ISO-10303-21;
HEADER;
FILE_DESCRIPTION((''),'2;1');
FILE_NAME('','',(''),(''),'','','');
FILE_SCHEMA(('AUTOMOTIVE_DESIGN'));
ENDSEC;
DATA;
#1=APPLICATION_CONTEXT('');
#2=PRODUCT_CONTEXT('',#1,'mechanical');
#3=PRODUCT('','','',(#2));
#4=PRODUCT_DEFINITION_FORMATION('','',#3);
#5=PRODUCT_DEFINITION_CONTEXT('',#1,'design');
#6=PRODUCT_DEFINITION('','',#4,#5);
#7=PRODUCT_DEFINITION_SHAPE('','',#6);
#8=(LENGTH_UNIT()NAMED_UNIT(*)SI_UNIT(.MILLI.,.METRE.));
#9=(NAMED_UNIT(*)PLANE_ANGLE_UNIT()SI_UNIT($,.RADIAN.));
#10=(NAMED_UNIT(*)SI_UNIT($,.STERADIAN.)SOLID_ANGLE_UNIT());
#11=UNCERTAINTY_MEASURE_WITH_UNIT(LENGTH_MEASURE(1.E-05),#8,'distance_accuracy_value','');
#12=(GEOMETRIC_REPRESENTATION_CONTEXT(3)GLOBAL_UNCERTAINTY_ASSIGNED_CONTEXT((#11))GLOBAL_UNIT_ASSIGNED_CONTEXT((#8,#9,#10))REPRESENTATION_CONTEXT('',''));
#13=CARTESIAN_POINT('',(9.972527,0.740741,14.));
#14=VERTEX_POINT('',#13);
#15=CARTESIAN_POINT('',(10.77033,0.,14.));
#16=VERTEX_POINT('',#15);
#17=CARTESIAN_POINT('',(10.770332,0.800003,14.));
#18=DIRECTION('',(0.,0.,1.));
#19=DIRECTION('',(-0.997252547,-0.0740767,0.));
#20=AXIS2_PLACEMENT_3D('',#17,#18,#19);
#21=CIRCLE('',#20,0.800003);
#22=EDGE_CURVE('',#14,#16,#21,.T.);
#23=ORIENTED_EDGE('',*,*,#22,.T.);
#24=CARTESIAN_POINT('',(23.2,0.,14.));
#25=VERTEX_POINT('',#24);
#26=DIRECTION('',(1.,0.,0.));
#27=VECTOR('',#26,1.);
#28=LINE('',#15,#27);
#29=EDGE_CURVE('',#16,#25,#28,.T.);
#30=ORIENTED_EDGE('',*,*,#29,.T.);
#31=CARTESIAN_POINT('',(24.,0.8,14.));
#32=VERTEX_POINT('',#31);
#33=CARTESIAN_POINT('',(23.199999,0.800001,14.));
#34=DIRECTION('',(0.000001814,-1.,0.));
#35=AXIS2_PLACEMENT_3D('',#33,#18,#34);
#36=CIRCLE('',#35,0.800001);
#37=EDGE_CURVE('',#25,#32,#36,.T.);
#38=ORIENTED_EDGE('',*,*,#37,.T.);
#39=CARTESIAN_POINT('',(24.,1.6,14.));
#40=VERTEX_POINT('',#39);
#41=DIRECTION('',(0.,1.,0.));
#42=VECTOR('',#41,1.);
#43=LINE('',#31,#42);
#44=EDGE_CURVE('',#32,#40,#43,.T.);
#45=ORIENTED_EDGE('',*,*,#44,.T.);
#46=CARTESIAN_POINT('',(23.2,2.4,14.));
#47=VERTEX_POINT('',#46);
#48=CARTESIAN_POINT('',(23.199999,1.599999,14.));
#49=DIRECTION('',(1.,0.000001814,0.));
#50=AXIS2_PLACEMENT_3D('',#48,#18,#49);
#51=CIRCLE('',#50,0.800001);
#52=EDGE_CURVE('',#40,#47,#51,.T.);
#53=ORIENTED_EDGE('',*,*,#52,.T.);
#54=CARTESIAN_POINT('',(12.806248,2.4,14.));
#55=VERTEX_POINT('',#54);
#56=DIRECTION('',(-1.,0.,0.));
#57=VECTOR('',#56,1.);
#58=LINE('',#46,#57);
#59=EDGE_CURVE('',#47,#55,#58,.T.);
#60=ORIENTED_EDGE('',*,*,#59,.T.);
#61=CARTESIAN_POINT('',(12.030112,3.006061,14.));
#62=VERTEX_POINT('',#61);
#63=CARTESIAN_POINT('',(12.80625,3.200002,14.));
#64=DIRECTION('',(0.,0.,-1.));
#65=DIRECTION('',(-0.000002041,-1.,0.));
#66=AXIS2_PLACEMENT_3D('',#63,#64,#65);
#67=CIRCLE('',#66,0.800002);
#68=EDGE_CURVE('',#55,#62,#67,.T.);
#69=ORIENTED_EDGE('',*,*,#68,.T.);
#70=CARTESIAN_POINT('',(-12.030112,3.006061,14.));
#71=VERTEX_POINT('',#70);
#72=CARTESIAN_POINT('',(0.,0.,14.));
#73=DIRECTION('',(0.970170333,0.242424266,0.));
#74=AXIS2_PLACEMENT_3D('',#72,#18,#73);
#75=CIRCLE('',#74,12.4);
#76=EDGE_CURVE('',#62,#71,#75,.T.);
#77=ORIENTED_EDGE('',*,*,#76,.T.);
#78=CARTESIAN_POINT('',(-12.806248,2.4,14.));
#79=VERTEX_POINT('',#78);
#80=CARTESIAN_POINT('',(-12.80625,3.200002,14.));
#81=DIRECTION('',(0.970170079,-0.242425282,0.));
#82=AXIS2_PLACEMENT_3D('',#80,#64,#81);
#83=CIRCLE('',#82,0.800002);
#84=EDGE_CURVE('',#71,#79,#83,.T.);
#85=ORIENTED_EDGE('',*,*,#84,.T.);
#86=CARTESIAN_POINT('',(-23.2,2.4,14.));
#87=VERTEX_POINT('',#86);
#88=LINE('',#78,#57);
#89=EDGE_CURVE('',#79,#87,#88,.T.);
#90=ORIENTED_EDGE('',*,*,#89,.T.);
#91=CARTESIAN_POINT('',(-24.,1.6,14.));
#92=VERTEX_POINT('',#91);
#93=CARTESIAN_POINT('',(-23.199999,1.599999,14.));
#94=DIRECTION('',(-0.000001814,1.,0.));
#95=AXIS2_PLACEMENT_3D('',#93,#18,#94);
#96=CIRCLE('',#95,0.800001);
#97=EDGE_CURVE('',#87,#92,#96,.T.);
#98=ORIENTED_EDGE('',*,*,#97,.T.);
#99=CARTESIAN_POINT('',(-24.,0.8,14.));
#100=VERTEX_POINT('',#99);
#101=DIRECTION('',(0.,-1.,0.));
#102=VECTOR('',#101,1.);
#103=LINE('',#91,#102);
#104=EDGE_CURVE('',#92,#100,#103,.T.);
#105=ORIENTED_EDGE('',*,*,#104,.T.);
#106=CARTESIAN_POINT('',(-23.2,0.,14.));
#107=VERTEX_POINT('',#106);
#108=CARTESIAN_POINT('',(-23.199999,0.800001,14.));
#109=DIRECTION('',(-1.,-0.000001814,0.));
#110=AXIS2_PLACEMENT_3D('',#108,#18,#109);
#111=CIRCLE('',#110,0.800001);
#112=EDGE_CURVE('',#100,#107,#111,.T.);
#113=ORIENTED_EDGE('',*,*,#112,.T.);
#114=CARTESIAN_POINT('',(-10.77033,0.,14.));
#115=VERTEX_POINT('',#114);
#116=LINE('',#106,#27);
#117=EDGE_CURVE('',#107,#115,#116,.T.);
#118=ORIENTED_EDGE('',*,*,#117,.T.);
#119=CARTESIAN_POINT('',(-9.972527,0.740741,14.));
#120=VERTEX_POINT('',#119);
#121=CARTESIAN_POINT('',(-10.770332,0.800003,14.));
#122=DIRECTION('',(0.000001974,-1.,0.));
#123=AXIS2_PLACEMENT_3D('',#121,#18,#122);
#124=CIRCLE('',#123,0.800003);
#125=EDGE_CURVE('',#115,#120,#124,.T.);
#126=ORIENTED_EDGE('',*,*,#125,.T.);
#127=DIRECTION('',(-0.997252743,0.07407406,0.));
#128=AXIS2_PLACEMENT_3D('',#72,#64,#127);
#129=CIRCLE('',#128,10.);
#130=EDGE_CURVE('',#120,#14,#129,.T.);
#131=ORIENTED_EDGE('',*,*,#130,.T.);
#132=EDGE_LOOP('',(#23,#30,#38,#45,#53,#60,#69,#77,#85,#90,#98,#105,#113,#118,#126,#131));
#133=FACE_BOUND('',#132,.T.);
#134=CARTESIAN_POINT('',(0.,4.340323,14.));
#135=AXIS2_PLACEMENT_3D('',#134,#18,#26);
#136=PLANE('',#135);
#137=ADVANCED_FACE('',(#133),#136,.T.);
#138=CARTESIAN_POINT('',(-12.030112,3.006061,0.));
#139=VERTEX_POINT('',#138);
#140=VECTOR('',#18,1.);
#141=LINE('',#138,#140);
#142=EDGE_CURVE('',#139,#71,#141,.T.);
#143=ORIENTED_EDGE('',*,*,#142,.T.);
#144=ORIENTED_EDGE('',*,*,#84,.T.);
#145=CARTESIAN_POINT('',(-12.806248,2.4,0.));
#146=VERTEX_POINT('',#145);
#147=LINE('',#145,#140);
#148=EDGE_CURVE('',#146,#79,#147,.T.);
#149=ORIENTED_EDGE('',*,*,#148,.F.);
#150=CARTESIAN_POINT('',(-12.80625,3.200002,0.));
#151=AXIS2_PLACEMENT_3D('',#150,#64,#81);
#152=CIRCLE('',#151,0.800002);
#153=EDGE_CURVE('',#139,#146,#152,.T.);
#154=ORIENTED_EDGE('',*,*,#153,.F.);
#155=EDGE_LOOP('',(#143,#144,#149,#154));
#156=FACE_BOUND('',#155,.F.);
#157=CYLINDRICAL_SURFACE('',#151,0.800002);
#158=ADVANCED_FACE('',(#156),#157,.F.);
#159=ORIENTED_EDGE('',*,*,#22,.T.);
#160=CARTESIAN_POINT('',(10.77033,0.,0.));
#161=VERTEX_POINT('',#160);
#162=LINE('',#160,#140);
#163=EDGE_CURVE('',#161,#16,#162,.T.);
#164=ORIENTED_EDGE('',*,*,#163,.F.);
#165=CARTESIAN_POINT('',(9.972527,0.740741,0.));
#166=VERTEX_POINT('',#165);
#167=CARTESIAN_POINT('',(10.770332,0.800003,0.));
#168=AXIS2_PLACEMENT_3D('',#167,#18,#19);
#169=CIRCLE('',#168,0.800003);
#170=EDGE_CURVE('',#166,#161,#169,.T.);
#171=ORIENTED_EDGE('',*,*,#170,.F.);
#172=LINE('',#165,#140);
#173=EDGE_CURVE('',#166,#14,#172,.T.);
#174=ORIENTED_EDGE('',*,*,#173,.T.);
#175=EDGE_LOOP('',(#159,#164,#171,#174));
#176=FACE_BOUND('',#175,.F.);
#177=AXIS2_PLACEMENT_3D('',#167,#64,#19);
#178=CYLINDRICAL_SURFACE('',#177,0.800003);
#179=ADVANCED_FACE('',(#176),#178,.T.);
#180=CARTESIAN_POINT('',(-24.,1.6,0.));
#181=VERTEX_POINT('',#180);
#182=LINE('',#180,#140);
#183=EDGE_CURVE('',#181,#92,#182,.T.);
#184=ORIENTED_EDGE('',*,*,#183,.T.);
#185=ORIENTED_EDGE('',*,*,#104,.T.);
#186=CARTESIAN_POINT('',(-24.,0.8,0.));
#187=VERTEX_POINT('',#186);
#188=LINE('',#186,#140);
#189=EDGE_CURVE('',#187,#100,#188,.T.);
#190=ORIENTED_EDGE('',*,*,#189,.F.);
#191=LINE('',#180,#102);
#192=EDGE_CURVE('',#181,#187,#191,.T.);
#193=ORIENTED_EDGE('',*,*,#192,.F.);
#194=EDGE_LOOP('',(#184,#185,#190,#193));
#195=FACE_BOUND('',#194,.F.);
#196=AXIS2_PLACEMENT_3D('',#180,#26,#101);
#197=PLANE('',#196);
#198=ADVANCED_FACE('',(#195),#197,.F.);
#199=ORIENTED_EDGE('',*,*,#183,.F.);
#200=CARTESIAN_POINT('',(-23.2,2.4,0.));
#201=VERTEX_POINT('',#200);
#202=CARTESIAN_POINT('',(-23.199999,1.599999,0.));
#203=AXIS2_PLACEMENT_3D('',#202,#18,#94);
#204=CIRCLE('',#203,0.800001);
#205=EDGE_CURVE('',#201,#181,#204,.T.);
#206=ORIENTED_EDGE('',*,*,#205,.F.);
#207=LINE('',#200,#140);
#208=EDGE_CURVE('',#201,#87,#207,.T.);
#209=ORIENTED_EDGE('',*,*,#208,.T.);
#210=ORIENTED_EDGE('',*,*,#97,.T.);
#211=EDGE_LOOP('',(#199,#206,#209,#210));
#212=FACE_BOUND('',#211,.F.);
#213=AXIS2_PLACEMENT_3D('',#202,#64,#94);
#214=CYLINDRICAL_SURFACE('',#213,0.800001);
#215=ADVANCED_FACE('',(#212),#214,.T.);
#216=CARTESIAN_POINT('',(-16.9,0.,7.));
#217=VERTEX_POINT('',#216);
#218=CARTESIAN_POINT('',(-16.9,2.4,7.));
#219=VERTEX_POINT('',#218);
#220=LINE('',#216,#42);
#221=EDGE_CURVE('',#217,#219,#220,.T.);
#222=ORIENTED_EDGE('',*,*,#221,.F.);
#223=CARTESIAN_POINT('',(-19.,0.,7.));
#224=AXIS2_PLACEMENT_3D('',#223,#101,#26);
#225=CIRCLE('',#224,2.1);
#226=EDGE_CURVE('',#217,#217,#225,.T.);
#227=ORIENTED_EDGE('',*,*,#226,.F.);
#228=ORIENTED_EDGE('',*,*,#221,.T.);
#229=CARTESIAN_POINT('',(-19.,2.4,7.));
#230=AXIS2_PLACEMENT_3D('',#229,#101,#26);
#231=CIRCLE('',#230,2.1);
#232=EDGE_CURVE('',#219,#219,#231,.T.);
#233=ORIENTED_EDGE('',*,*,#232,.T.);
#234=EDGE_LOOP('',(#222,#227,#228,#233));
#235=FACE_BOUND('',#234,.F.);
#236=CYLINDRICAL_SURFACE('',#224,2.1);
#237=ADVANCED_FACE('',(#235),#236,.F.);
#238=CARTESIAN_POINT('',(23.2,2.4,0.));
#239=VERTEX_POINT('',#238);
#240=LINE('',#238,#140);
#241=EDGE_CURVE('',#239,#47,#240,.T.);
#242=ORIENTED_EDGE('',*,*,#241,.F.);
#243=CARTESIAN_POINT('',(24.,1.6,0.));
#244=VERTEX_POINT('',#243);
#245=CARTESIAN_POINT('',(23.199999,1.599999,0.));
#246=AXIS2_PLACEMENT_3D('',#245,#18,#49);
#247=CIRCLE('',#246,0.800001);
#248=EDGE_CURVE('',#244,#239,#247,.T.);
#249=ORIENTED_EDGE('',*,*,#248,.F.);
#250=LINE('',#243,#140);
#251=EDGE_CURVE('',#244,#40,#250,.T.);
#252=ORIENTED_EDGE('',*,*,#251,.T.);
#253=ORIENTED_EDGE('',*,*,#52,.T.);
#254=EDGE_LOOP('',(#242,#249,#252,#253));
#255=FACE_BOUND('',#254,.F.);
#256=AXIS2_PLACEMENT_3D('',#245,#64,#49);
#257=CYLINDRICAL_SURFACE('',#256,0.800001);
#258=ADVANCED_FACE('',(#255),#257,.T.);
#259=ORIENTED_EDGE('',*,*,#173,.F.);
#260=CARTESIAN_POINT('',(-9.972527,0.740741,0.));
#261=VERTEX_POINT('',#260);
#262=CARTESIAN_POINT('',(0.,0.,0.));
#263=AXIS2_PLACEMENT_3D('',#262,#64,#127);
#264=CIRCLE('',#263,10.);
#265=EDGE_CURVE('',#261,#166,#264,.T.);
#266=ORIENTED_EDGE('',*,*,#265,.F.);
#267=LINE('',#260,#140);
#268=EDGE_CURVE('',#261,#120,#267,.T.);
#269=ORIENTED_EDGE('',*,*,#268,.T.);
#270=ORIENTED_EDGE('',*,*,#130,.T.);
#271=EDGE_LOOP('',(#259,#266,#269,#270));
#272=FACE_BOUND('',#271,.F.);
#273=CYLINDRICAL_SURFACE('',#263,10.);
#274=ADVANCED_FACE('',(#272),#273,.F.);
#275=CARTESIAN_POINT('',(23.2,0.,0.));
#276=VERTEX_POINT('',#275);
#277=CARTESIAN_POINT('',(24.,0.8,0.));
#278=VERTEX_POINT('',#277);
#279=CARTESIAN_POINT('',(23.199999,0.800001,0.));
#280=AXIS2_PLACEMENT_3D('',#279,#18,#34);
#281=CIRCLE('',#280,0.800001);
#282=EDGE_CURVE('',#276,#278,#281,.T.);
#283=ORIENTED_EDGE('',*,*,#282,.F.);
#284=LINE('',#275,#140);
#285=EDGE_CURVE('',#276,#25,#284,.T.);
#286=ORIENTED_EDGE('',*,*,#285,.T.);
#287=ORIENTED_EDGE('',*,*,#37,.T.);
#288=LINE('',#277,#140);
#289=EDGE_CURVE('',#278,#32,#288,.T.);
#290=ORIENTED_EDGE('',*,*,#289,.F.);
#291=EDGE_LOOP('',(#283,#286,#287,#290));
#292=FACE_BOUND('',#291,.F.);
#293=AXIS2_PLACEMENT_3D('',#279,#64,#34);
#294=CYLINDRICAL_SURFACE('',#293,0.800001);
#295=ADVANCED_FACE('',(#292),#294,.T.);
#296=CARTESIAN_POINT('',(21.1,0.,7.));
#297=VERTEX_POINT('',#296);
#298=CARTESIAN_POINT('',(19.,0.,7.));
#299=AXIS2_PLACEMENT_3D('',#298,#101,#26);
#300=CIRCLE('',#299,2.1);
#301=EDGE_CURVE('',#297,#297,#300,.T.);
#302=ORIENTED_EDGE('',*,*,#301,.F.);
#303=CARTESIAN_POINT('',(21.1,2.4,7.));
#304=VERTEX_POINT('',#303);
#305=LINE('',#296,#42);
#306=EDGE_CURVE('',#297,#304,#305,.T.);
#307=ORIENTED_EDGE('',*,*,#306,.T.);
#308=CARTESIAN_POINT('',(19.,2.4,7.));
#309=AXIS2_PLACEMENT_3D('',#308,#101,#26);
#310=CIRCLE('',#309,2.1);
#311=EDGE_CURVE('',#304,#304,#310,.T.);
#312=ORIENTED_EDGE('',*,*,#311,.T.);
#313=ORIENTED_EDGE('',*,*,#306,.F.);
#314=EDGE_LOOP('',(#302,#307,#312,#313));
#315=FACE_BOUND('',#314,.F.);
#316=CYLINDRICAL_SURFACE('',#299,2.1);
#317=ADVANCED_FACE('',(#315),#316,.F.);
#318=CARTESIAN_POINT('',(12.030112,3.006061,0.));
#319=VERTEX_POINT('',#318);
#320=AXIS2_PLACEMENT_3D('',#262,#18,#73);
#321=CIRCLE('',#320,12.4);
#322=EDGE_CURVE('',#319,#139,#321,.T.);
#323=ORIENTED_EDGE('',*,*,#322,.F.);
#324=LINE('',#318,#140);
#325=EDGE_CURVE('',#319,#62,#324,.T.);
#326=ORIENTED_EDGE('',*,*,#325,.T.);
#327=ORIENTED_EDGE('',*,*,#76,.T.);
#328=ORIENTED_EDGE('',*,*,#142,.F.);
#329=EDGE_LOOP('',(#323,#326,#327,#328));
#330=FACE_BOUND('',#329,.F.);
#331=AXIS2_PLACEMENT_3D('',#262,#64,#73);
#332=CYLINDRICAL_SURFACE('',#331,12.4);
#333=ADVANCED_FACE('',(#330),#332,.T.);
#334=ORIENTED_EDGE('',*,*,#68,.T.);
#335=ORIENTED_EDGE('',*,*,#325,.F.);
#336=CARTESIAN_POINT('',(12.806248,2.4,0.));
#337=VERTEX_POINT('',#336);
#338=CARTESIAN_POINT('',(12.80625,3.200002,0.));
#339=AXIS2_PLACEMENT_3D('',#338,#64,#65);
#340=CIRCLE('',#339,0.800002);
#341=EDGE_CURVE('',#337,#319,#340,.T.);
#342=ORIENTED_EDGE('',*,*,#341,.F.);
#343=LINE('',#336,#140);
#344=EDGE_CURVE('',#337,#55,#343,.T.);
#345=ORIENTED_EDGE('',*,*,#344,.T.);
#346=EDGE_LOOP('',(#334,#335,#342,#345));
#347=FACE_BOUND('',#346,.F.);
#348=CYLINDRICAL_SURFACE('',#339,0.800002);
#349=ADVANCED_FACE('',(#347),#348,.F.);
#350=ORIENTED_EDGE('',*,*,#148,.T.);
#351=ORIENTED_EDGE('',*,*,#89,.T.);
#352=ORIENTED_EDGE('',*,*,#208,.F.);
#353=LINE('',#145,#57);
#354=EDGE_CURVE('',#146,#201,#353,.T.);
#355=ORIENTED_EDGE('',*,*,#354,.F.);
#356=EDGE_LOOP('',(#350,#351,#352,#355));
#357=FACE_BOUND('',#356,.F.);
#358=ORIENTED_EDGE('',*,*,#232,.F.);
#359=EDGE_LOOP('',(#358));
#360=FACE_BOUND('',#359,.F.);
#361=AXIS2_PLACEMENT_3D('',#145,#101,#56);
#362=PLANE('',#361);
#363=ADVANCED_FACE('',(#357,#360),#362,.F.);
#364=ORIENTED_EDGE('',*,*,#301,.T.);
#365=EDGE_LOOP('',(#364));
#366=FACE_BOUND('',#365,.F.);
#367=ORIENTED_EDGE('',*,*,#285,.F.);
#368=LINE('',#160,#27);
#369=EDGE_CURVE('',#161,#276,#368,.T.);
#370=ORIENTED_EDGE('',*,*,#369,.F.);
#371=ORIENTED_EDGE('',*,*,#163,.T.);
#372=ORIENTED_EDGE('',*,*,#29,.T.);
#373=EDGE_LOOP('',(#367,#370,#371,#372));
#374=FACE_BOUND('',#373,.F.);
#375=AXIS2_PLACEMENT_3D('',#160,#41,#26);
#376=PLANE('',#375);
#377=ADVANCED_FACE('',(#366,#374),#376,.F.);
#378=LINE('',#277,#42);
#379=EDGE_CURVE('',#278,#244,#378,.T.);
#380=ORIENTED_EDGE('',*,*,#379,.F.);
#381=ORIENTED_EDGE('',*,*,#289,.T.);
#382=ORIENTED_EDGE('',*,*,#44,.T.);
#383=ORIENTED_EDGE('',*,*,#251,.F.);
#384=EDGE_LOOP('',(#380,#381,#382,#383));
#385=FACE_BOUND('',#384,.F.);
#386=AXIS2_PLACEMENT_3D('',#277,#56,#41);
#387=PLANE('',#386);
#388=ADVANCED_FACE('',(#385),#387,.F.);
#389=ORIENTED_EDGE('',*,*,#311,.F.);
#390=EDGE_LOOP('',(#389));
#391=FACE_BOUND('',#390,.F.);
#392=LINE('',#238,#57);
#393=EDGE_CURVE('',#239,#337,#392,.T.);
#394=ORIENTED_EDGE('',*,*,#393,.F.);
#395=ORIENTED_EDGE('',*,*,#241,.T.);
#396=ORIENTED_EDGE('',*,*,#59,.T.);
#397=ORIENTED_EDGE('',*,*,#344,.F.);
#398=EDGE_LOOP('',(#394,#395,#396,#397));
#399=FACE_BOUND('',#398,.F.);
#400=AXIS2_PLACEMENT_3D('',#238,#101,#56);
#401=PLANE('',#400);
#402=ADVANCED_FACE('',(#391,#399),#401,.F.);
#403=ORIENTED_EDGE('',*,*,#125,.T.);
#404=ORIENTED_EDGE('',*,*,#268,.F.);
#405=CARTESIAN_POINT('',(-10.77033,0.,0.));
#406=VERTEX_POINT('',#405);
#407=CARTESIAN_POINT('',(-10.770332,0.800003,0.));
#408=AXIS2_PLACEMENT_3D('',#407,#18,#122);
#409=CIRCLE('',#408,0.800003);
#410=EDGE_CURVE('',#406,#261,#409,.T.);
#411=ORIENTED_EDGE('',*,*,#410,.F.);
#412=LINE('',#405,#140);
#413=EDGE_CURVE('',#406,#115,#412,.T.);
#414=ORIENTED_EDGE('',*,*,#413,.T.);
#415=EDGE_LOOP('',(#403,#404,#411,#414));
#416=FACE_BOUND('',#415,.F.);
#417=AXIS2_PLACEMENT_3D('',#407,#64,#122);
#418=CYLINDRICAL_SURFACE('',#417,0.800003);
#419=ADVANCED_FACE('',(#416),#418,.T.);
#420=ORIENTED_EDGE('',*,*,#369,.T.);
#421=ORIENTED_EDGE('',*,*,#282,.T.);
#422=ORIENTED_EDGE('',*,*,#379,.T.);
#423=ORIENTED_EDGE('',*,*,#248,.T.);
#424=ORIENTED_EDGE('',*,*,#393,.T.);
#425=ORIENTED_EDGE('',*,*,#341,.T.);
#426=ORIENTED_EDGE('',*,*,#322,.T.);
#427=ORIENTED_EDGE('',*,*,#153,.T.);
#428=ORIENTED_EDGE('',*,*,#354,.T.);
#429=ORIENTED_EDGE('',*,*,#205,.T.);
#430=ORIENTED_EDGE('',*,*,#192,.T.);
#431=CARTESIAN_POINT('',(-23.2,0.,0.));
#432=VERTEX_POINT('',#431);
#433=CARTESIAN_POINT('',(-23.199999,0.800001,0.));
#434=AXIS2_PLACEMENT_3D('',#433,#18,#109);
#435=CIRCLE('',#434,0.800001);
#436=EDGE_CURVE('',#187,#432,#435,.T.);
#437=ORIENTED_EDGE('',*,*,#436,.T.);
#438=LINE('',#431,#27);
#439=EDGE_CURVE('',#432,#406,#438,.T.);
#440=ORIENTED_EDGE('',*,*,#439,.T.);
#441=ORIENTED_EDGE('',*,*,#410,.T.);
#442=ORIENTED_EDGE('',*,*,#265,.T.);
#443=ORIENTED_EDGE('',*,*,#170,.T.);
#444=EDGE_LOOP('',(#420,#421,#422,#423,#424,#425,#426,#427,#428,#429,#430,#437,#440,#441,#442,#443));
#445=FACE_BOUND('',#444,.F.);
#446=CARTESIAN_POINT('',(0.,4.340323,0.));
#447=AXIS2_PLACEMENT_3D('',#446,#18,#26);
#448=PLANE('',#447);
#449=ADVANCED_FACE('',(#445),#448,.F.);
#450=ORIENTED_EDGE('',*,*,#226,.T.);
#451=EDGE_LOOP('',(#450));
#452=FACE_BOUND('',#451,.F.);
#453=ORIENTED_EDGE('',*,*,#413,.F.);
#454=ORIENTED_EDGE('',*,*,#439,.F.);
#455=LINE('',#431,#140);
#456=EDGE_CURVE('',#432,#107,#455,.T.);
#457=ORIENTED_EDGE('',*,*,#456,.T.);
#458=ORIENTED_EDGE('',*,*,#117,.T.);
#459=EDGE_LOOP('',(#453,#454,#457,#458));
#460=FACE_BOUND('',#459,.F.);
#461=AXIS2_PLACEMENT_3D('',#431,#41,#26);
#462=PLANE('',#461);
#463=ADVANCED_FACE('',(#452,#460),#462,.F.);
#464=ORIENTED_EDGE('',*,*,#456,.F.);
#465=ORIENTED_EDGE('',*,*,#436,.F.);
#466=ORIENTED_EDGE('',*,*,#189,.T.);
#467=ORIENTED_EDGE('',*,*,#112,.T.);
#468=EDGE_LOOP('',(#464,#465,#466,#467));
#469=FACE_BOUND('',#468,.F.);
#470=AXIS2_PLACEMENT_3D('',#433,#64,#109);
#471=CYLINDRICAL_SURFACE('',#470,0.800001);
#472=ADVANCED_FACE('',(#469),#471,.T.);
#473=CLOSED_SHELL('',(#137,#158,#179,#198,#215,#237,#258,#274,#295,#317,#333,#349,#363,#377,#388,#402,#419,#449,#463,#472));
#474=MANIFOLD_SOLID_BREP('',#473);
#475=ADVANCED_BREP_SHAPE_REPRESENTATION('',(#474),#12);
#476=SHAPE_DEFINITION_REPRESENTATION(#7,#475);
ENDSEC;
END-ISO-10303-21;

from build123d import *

# Parameters (mm, degrees)
F1_DEPTH = 14
F2_R     = 2.1
F3_DEPTH = 12.401


with BuildPart() as f1:
    # F0 (on Top) → F1 (new body)
    with BuildSketch(Plane.XY):
        with BuildLine():
            ThreePointArc((-9.972527, 0.740741), (0, 10), (9.972527, 0.740741))
            ThreePointArc((9.972527, 0.740741), (10.225999, 0.213738), (10.77033, 0))
            Line((10.77033, 0), (23.2, 0))
            ThreePointArc((23.2, 0), (23.765685, 0.234315), (24, 0.8))
            Line((24, 0.8), (24, 1.6))
            ThreePointArc((24, 1.6), (23.765685, 2.165685), (23.2, 2.4))
            Line((23.2, 2.4), (12.806248, 2.4))
            ThreePointArc((12.806248, 2.4), (12.313883, 2.569464), (12.030112, 3.006061))
            ThreePointArc((12.030112, 3.006061), (0, 12.4), (-12.030112, 3.006061))
            ThreePointArc((-12.030112, 3.006061), (-12.313883, 2.569464), (-12.806248, 2.4))
            Line((-12.806248, 2.4), (-23.2, 2.4))
            ThreePointArc((-23.2, 2.4), (-23.765685, 2.165685), (-24, 1.6))
            Line((-24, 1.6), (-24, 0.8))
            ThreePointArc((-24, 0.8), (-23.765685, 0.234315), (-23.2, 0))
            Line((-23.2, 0), (-10.77033, 0))
            ThreePointArc((-10.77033, 0), (-10.225999, 0.213738), (-9.972527, 0.740741))
        make_face()
    extrude(amount=F1_DEPTH)

    # F2 (on face) → F3 (cut, through all)
    with BuildSketch(Plane.XZ):
        with Locations((19, 7)):
            Circle(F2_R)
        with Locations((-19, 7)):
            Circle(F2_R)
    extrude(amount=-F3_DEPTH, mode=Mode.SUBTRACT)


solid = f1.part
